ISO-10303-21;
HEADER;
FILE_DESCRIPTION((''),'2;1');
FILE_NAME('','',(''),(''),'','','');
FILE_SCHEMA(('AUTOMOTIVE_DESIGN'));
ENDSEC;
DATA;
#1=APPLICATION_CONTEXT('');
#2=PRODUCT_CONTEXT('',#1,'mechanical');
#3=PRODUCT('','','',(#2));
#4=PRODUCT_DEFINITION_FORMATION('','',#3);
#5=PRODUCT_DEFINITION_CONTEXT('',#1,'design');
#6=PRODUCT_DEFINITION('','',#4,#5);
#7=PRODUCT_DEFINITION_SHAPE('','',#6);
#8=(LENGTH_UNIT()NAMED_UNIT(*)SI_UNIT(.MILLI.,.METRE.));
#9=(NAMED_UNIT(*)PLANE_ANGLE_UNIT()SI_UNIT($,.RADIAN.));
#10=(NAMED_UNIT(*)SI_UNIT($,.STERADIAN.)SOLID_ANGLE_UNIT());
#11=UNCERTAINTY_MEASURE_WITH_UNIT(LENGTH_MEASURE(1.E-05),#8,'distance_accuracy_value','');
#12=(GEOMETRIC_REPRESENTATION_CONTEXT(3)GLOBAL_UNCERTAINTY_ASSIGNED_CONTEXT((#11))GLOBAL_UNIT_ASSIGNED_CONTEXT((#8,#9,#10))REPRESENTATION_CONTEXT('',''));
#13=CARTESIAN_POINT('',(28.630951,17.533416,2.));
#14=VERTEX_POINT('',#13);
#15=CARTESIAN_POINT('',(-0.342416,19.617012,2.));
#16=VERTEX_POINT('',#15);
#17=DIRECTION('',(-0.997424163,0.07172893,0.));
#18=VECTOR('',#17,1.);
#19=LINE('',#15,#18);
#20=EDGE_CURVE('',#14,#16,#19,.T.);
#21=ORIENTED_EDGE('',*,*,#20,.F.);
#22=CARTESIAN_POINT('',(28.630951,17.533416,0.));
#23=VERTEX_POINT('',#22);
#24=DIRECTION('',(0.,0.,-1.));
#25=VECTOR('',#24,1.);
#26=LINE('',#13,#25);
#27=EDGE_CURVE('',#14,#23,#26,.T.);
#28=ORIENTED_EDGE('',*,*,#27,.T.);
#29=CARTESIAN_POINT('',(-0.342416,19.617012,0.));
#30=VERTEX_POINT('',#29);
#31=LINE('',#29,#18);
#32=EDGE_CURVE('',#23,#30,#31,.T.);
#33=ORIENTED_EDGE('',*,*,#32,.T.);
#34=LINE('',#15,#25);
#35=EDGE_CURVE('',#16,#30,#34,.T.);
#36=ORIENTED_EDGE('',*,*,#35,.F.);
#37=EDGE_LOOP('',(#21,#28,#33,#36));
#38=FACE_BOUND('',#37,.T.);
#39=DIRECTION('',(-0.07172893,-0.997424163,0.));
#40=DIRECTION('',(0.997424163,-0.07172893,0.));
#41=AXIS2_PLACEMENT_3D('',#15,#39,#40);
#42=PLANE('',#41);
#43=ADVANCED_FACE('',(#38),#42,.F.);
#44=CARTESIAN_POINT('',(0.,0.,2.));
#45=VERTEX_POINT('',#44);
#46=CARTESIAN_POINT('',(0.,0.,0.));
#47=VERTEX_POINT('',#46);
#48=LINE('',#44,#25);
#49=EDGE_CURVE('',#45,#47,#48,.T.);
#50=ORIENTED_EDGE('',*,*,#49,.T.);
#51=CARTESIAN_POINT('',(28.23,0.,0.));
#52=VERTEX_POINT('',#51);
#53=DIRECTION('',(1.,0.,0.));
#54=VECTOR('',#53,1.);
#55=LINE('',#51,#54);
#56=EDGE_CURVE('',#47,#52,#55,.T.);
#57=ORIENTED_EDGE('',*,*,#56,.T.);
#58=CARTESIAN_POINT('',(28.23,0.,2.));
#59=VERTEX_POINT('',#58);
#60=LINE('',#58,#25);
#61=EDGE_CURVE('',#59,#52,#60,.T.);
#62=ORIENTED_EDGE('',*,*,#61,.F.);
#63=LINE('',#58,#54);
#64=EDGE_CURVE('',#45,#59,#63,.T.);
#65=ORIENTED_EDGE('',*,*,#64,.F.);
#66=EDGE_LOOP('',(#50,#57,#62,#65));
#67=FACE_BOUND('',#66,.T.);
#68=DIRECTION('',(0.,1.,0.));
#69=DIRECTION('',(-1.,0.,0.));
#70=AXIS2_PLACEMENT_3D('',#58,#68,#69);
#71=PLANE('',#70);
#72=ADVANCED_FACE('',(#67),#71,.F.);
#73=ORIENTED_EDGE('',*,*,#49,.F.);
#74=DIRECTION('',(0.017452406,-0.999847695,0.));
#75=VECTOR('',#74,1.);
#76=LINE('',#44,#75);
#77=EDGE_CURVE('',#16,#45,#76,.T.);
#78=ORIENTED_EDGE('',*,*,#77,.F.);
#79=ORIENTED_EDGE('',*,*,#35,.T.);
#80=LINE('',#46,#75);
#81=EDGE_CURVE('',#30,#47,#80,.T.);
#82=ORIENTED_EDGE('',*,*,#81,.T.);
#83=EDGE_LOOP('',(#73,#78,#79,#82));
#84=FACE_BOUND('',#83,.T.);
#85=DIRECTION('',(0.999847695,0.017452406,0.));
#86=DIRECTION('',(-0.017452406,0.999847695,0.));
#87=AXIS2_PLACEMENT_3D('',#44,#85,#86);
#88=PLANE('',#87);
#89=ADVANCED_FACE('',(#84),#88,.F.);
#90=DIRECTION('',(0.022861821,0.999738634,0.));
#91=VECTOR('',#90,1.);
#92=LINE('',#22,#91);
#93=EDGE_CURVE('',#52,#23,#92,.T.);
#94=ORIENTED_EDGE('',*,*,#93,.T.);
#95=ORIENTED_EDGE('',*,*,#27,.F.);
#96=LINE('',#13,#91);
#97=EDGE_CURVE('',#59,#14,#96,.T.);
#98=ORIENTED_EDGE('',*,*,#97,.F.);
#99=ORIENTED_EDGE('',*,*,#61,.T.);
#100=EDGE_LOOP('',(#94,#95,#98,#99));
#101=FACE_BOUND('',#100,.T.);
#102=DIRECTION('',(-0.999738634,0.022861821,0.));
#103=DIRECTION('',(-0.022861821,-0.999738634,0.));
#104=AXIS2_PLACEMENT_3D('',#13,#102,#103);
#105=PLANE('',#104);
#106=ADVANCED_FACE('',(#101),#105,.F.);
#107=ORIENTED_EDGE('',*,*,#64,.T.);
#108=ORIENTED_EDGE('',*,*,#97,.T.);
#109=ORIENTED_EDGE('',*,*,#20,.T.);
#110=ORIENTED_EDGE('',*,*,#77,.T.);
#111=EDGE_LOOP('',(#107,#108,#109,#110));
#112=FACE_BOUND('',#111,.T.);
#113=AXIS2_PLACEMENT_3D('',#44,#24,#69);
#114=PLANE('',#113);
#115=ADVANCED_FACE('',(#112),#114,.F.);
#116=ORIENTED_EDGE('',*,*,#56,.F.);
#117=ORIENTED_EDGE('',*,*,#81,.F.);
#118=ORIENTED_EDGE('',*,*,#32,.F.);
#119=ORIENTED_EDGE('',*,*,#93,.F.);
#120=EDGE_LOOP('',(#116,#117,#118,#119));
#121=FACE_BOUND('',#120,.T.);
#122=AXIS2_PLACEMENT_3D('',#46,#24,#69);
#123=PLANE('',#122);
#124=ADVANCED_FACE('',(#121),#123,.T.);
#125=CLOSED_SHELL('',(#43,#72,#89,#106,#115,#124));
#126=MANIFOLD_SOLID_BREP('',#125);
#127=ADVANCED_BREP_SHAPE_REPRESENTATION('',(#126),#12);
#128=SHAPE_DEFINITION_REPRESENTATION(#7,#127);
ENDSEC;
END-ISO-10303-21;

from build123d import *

# Parameters (mm, degrees)
AUFSATZ_LINEAR_AUSTRAGEN1_DEPTH = 2


with BuildPart() as part:
    # Skizze1 → Aufsatz-Linear austragen1 (new body)
    with BuildSketch(Plane.XY):
        Polygon((0, 0), (-0.342416214, 19.617011779), (28.630950621, 17.53341617), (28.23, 0), align=None)
    extrude(amount=AUFSATZ_LINEAR_AUSTRAGEN1_DEPTH)


solid = part.part
